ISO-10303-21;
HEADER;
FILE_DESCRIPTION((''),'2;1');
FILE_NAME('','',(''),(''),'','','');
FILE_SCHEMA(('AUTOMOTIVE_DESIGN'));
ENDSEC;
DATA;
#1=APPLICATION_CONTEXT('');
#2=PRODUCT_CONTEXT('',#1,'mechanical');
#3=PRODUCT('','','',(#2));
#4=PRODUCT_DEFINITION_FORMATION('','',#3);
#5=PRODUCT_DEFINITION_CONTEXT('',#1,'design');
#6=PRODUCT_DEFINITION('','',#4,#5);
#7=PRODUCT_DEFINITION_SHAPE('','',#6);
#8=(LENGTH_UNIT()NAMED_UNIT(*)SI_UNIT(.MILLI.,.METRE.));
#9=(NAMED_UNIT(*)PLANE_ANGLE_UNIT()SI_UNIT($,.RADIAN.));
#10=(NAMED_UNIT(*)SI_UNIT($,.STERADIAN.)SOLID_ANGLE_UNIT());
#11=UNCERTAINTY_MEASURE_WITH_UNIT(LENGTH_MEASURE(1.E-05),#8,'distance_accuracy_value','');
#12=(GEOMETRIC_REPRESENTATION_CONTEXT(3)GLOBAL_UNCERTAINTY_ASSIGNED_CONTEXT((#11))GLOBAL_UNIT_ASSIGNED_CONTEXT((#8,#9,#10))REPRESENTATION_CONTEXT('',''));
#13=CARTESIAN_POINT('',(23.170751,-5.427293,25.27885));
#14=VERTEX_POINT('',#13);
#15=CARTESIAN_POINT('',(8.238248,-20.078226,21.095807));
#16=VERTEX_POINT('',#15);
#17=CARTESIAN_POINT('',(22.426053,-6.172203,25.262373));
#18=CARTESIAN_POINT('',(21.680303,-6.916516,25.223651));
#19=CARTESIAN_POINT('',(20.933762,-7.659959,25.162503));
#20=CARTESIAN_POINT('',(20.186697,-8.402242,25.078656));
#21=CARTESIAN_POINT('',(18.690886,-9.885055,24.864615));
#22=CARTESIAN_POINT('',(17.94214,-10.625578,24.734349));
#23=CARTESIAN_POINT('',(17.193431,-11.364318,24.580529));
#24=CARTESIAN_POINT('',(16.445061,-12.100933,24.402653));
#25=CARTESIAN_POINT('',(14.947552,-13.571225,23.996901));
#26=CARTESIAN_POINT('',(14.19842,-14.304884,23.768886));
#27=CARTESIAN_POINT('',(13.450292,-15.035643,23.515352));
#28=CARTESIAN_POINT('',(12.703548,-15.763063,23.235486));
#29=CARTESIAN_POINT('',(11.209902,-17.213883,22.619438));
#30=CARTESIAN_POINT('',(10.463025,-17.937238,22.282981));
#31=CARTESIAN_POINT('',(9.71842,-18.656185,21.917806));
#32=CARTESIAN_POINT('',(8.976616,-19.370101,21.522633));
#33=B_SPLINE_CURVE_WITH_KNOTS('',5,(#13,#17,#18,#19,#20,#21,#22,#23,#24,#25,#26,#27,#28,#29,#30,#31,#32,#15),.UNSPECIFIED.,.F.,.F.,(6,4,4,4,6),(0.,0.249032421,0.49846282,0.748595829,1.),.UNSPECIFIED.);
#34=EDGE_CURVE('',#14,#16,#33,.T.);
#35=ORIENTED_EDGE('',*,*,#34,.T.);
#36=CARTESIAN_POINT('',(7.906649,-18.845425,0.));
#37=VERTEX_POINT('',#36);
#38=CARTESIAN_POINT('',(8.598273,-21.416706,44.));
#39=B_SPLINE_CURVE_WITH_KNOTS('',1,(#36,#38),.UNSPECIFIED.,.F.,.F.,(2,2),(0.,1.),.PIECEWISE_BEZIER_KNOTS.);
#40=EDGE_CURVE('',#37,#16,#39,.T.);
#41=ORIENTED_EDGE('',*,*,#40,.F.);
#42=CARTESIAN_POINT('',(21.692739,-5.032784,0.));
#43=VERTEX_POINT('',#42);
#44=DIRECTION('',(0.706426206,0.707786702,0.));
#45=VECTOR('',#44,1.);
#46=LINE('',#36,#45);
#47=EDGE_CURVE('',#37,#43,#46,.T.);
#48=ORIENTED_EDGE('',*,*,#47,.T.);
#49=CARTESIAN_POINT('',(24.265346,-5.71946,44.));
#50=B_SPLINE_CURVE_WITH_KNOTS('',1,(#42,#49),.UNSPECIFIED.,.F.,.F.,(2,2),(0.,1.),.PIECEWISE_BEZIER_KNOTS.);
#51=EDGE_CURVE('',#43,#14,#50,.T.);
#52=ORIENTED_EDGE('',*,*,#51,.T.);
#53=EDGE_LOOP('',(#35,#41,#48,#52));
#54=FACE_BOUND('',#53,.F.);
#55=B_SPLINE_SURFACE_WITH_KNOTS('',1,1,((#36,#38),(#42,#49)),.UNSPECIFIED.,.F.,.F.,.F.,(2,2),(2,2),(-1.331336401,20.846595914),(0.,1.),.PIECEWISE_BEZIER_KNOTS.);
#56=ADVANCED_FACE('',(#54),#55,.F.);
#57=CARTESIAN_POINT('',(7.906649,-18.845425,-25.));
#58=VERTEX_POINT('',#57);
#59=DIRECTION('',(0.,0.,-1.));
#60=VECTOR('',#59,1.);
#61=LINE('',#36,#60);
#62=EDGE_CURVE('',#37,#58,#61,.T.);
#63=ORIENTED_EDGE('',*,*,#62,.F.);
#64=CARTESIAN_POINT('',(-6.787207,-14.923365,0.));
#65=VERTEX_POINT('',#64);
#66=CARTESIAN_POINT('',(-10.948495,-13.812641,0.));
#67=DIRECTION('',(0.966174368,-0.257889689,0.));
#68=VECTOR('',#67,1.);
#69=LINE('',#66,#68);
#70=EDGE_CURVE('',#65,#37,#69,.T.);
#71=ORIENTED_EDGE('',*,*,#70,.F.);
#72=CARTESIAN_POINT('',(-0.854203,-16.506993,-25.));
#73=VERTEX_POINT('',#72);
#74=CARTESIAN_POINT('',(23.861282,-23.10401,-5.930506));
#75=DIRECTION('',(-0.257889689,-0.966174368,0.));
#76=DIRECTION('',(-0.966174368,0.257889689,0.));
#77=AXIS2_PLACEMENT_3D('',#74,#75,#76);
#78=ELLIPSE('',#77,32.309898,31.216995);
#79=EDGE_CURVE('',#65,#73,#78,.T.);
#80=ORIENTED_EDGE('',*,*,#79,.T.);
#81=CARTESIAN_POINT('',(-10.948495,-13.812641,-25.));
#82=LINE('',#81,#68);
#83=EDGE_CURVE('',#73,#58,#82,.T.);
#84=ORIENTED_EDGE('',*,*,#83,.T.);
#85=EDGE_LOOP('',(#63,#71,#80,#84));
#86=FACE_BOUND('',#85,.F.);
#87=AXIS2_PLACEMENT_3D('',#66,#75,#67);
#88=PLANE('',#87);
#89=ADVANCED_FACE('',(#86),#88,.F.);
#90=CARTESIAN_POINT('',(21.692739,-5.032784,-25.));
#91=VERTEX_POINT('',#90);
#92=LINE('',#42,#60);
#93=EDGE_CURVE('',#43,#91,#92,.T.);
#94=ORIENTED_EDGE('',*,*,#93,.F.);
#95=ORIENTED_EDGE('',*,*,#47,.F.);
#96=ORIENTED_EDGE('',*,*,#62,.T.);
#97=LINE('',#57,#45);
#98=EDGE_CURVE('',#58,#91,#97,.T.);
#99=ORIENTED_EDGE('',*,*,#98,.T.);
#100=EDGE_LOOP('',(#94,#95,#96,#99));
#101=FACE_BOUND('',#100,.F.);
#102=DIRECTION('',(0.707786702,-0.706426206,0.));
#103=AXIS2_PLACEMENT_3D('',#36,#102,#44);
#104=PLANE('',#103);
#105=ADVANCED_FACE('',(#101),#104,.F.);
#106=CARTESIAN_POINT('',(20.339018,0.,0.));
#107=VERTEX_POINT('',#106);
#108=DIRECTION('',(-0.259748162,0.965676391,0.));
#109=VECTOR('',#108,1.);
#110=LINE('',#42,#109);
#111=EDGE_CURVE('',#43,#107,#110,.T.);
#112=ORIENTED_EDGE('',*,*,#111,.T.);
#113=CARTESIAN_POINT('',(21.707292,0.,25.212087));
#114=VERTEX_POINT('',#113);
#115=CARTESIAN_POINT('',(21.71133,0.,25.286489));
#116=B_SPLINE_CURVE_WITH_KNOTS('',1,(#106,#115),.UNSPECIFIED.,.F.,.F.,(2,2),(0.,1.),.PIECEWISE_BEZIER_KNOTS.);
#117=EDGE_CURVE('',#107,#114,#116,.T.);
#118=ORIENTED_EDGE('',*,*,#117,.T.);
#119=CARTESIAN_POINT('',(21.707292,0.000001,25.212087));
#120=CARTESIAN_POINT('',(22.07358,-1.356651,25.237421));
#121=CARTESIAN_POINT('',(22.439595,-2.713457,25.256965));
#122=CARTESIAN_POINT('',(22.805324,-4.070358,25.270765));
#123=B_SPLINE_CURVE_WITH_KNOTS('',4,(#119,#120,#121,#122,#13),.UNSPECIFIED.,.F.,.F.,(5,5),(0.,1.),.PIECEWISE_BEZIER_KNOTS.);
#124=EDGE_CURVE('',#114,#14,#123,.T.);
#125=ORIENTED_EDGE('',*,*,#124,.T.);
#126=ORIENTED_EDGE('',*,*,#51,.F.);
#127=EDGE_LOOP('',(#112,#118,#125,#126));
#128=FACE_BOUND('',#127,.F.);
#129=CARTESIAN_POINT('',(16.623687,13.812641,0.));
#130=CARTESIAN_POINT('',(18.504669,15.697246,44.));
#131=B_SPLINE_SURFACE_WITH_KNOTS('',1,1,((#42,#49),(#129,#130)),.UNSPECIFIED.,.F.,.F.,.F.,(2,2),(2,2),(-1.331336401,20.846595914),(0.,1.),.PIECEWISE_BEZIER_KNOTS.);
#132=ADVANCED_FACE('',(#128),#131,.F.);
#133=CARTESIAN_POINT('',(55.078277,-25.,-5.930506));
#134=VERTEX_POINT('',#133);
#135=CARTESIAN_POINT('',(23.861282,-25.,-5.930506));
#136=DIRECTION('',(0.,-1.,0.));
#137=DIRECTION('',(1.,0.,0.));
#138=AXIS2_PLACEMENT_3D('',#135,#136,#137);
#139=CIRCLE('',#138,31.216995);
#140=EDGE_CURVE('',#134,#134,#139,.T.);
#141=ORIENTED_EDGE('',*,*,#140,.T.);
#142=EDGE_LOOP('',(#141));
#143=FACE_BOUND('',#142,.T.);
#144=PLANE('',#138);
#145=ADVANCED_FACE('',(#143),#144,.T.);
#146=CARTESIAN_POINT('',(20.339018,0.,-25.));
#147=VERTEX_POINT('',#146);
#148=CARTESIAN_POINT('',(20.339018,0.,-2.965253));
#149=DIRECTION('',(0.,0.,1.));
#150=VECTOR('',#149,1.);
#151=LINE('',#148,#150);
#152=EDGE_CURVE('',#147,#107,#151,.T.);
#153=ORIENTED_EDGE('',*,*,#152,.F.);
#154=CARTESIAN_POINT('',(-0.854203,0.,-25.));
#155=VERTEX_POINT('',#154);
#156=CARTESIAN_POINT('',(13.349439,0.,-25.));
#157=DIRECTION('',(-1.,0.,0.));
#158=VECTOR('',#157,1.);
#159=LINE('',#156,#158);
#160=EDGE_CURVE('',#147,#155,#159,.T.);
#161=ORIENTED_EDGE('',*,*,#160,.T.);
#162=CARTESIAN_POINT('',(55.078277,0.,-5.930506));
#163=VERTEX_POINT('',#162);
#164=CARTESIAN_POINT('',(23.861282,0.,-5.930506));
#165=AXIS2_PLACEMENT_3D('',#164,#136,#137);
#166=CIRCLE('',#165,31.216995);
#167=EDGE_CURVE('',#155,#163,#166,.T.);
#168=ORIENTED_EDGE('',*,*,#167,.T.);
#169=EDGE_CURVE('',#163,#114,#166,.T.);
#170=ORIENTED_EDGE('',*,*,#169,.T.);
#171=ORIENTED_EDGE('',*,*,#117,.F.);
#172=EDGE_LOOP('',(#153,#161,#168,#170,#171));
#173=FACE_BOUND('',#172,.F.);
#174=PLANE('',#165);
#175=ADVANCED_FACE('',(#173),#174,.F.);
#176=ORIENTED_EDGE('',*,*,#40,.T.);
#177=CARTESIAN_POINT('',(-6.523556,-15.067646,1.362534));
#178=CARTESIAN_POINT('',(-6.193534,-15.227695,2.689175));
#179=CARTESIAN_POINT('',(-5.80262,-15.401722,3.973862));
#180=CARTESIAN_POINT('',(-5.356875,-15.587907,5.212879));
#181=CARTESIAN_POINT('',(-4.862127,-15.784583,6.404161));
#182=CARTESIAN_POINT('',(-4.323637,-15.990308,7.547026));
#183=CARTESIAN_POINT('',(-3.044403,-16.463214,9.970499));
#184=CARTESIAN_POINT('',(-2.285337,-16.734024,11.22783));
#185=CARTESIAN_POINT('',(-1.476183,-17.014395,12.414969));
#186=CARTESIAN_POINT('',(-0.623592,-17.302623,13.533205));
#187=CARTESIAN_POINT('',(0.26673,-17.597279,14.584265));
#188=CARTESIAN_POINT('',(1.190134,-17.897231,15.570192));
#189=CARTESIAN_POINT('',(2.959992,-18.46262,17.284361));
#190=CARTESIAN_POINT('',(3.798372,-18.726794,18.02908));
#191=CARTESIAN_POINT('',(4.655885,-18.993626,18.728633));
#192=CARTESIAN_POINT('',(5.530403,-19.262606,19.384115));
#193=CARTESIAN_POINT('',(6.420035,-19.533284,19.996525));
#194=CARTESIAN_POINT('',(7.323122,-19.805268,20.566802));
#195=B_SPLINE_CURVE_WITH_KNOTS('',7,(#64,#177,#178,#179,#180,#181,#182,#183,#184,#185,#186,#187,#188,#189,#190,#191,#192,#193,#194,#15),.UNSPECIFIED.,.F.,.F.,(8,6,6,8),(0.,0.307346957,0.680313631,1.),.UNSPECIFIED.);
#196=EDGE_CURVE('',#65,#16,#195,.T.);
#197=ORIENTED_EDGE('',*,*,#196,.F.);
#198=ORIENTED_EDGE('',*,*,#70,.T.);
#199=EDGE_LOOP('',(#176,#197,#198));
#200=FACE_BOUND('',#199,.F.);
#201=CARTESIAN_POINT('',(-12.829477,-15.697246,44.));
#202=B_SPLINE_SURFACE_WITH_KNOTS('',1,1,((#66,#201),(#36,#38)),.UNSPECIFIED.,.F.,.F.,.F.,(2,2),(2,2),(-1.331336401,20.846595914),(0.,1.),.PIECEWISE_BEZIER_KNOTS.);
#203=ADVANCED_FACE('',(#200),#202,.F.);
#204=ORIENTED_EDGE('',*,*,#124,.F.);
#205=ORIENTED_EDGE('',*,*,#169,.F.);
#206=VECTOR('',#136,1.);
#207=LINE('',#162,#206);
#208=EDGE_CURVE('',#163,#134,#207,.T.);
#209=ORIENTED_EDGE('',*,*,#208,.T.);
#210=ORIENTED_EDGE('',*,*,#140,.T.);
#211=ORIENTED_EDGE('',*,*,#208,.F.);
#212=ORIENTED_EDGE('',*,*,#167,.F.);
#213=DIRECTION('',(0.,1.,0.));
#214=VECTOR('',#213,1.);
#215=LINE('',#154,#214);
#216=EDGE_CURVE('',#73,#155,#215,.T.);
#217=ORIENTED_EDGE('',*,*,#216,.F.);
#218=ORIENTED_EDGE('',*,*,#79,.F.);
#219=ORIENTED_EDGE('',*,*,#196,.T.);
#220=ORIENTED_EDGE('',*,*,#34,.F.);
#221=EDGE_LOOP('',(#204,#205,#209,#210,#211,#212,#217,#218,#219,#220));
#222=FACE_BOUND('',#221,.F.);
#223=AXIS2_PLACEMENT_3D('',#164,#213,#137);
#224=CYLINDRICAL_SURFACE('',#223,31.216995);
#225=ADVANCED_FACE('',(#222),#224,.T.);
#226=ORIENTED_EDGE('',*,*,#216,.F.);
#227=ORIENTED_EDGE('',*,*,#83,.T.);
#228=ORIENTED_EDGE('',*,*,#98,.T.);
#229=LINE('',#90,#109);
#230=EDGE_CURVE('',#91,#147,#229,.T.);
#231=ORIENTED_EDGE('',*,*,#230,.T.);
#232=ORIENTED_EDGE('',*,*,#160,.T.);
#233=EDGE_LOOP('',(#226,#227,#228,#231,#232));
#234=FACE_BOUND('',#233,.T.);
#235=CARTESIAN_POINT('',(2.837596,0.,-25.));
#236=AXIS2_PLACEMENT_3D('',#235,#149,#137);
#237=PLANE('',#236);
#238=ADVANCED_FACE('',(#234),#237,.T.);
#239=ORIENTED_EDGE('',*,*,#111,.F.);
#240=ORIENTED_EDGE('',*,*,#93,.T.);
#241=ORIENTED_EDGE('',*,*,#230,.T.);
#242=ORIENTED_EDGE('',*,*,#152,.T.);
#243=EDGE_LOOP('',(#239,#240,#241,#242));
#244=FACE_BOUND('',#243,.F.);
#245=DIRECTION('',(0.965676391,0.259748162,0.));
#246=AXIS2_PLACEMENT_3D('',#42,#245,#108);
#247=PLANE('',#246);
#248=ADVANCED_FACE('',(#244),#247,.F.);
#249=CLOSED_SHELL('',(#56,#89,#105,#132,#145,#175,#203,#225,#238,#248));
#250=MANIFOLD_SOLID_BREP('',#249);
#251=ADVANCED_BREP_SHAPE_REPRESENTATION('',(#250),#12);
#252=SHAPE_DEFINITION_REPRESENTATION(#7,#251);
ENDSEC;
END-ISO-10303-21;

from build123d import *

# Parameters (mm, degrees)
F0_R          = 31.2169949435
F1_DEPTH      = 25
F3_DEPTH      = 44
F3_TAPER      = -3
F3_DEPTH_BACK = 25


with BuildPart() as f1:
    # F0 (on Front) → F1 (new body)
    with BuildSketch(Plane.XZ):
        with Locations((23.8612815738, -5.9305061586)):
            Circle(F0_R)
    extrude(amount=F1_DEPTH)


with BuildPart() as f3:
    # F2 (on Top) → F3 (new body, two sides)
    with BuildSketch(Plane.XY) as f3_sk:
        Polygon((21.6927394478, -5.0327842001), (16.6236866582, 13.8126411778), (-2.2314568589, 18.8454253778), (-16.0175475864, 5.0327842001), (-10.9484947969, -13.8126411778), (7.9066487202, -18.8454253778), align=None)
    extrude(amount=F3_DEPTH, taper=F3_TAPER)
    extrude(f3_sk.sketch, amount=-F3_DEPTH_BACK)


with BuildPart() as f1_1:
    add(f1.part)

    # F4: cut F3
    add(f3.part, mode=Mode.SUBTRACT)


solid = f1_1.part
